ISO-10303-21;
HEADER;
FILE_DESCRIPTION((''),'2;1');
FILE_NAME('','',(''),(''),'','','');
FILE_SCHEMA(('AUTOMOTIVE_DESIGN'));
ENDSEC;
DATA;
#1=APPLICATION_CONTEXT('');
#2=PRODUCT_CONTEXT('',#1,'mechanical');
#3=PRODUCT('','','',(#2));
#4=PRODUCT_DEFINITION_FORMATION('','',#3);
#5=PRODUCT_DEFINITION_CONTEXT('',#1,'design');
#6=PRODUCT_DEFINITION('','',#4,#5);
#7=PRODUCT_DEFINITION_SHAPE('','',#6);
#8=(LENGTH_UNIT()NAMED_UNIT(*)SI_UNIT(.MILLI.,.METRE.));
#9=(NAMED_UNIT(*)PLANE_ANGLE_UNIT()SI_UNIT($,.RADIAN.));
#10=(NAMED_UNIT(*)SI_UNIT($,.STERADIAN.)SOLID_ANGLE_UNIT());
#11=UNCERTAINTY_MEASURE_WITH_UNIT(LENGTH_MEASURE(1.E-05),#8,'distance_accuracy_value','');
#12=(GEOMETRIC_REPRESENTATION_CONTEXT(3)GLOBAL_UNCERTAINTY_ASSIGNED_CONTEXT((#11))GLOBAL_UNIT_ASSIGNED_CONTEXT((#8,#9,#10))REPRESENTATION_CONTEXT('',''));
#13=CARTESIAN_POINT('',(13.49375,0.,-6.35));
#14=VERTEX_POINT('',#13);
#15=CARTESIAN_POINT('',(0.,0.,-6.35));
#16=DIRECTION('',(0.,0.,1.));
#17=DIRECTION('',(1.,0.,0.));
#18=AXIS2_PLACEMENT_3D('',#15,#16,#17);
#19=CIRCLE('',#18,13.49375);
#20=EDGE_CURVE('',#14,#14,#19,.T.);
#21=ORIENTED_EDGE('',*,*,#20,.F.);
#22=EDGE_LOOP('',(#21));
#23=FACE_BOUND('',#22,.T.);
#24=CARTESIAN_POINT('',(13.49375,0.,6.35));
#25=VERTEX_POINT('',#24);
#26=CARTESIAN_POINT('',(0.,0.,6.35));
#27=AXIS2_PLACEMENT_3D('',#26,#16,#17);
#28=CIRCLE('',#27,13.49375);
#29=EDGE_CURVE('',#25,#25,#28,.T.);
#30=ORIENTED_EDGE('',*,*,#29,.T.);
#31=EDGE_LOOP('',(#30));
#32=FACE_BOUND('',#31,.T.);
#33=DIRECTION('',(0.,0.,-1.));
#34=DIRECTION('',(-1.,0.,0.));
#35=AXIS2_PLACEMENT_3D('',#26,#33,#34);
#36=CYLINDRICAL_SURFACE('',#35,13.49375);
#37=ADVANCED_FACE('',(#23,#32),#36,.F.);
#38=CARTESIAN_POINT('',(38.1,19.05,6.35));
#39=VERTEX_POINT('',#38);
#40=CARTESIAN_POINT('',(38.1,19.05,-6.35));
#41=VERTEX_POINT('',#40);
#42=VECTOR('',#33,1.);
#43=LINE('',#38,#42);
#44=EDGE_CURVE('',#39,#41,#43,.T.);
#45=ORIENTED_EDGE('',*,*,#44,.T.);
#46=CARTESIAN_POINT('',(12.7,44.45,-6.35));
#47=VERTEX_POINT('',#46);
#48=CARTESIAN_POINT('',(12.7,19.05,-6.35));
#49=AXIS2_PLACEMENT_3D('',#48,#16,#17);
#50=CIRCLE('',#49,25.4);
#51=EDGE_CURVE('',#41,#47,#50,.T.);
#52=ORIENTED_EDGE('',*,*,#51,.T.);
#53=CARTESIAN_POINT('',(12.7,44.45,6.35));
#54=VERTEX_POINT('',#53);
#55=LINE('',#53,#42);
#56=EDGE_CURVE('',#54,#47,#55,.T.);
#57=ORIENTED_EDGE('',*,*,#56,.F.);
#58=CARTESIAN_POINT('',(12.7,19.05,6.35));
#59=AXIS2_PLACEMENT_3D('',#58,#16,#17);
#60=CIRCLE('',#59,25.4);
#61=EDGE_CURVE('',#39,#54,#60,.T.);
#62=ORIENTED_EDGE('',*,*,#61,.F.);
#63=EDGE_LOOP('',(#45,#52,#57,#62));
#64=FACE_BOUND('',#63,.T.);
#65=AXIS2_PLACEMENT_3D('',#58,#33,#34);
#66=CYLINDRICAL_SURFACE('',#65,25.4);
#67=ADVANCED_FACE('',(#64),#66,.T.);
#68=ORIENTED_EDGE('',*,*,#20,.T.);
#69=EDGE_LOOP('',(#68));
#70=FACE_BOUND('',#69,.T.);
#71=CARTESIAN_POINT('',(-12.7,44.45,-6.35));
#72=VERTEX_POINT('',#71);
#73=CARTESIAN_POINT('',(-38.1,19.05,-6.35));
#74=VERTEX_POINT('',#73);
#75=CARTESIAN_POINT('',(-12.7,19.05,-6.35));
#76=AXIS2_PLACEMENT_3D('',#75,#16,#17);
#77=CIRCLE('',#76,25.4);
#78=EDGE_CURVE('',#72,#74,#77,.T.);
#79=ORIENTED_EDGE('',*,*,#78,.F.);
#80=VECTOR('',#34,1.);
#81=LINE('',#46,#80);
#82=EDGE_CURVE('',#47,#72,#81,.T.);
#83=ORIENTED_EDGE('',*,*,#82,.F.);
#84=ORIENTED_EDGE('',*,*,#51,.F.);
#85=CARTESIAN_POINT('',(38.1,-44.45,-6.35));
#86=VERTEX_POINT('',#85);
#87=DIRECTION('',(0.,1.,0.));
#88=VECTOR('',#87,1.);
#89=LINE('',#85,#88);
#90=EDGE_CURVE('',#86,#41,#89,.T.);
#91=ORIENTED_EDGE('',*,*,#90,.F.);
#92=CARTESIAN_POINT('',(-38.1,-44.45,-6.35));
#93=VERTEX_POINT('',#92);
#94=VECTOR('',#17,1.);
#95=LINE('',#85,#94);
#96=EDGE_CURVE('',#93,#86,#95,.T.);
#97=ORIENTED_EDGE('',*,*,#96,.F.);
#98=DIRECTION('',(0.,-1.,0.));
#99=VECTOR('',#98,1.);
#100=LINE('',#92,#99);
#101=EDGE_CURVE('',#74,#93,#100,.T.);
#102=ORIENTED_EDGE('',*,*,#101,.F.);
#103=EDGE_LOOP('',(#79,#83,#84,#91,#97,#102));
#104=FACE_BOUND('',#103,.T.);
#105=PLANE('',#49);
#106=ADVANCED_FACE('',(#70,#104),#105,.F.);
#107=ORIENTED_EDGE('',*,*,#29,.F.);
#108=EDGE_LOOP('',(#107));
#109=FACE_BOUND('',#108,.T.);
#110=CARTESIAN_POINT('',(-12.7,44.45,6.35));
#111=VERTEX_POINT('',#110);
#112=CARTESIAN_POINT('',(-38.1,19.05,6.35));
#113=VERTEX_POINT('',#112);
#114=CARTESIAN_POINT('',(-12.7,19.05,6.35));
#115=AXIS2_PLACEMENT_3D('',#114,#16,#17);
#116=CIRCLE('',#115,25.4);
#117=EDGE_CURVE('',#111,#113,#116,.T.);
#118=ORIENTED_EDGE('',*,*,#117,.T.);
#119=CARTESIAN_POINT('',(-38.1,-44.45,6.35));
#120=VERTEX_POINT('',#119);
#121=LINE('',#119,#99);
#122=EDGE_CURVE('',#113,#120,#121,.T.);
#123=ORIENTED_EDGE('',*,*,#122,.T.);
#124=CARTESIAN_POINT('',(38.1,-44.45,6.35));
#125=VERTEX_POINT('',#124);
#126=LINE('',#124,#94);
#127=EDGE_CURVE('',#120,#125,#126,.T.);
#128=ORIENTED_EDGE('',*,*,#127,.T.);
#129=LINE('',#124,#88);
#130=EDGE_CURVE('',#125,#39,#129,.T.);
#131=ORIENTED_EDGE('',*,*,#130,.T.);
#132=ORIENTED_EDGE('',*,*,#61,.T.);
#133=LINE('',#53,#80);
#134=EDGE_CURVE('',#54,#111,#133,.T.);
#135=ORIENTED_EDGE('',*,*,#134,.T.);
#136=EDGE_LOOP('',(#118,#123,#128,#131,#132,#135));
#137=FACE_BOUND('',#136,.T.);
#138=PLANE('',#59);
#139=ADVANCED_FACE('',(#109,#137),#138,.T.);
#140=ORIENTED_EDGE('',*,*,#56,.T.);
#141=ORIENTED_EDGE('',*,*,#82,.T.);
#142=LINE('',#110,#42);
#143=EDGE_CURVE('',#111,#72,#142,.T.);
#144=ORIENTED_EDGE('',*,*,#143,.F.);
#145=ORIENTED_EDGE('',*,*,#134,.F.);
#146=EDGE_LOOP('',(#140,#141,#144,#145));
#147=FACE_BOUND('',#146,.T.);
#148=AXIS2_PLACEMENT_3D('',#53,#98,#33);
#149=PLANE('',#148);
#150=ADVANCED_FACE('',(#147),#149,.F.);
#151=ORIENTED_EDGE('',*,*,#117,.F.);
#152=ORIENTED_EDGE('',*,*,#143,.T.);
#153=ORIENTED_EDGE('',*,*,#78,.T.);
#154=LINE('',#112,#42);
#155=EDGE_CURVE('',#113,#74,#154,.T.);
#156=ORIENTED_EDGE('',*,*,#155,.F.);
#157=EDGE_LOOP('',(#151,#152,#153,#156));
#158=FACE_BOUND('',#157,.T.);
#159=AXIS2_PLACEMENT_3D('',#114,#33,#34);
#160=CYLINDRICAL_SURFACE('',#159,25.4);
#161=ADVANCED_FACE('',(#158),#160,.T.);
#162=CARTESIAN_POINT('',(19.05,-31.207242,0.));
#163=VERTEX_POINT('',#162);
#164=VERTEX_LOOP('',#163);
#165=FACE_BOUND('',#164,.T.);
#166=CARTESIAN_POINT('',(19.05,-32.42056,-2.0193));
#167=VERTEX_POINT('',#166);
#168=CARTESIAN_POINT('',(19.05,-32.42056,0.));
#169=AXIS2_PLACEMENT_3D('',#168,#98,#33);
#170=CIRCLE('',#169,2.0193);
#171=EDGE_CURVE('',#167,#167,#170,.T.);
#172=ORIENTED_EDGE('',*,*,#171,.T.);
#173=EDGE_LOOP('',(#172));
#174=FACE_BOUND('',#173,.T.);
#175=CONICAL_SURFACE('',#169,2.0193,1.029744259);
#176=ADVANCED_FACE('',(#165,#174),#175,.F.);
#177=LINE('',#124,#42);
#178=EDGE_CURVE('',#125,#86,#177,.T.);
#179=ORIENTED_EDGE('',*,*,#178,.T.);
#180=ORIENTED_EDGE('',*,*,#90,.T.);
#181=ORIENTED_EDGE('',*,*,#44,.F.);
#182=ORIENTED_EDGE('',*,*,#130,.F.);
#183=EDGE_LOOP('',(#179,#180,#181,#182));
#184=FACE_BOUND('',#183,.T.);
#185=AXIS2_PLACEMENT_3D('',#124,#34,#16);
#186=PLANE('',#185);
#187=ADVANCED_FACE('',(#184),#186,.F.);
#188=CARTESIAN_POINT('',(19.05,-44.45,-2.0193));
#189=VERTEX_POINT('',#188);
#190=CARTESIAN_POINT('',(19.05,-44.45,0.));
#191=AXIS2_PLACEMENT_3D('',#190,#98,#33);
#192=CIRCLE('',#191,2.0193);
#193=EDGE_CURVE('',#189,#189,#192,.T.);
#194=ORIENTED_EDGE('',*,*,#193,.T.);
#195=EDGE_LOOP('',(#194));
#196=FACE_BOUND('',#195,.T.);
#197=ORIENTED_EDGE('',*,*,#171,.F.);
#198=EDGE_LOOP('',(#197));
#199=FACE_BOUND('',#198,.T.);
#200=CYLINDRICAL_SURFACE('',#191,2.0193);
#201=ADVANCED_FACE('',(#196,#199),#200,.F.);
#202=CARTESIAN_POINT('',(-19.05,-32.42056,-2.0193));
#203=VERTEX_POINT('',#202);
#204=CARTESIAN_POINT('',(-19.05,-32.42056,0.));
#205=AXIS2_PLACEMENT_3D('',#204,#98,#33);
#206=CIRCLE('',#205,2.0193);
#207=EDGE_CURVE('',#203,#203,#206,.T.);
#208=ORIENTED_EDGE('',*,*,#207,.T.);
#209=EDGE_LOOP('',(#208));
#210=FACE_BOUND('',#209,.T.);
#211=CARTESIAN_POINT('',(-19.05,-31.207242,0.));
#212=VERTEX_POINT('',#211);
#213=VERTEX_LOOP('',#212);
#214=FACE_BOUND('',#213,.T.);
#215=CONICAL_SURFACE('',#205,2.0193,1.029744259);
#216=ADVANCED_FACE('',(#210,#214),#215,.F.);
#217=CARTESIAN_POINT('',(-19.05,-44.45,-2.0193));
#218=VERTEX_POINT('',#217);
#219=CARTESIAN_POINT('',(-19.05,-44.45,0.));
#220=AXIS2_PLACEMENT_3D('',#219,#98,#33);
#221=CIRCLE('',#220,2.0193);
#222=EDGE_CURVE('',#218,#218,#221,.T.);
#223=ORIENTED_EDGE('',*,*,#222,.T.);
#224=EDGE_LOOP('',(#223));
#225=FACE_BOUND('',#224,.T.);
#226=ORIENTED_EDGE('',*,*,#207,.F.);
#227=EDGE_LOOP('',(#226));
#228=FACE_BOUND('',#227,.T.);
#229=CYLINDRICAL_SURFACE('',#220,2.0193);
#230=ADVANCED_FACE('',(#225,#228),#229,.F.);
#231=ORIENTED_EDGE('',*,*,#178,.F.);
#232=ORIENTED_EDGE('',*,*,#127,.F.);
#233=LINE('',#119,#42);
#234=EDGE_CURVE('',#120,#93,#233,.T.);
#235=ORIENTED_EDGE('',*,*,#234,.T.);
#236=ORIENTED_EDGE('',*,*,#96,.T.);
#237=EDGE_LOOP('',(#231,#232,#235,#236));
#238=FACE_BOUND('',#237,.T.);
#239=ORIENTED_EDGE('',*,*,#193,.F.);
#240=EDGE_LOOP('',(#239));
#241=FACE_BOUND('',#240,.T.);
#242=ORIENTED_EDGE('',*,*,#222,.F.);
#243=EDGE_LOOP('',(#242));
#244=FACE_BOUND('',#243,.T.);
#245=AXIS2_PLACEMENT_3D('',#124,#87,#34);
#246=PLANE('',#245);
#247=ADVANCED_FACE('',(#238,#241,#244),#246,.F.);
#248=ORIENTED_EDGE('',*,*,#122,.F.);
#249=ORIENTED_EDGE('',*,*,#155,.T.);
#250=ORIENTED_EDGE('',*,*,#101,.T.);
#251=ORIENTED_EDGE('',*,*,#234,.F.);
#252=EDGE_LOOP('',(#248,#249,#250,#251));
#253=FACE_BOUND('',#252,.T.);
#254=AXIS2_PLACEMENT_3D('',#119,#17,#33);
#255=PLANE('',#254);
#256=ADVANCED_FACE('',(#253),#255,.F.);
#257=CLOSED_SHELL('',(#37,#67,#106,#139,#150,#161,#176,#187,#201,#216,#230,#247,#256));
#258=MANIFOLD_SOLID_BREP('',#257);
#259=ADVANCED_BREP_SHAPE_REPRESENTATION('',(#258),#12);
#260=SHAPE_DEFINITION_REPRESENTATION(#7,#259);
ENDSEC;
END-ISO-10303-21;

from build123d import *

# Parameters (mm, degrees)
SKETCH1_R                  = 13.49375
BOSS_EXTRUDE1_DEPTH        = 6.35
F_10_32_TAPPED_HOLE1_D     = 4.0386
F_10_32_TAPPED_HOLE1_DEPTH = 12.02944
F_10_32_TAPPED_HOLE1_TIP   = 1.213317848


with BuildPart() as part:
    # Sketch1 → Boss-Extrude1 (new body, symmetric)
    with BuildSketch(Plane.XY):
        with BuildLine():
            Line((38.1, -44.45), (-38.1, -44.45))
            Line((-38.1, -44.45), (-38.1, 19.05))
            ThreePointArc((-38.1, 19.05), (-30.660512242, 37.010512242), (-12.7, 44.45))
            Line((-12.7, 44.45), (12.7, 44.45))
            ThreePointArc((12.7, 44.45), (30.660512242, 37.010512242), (38.1, 19.05))
            Line((38.1, 19.05), (38.1, -44.45))
        make_face()
        Circle(SKETCH1_R, mode=Mode.SUBTRACT)
    extrude(amount=BOSS_EXTRUDE1_DEPTH, both=True)

    # #10-32 Tapped Hole1
    with Locations(Plane(origin=(0, -44.45, 0), x_dir=(-1, 0, 0), z_dir=(0, -1, 0))):
        with Locations((19.05, 0), (-19.05, 0)):
            Hole(F_10_32_TAPPED_HOLE1_D / 2, depth=F_10_32_TAPPED_HOLE1_DEPTH)
            with Locations((0, 0, -(F_10_32_TAPPED_HOLE1_DEPTH + F_10_32_TAPPED_HOLE1_TIP / 2))):  # 118° drill point
                Cone(0, F_10_32_TAPPED_HOLE1_D / 2, F_10_32_TAPPED_HOLE1_TIP, mode=Mode.SUBTRACT)


solid = part.part
